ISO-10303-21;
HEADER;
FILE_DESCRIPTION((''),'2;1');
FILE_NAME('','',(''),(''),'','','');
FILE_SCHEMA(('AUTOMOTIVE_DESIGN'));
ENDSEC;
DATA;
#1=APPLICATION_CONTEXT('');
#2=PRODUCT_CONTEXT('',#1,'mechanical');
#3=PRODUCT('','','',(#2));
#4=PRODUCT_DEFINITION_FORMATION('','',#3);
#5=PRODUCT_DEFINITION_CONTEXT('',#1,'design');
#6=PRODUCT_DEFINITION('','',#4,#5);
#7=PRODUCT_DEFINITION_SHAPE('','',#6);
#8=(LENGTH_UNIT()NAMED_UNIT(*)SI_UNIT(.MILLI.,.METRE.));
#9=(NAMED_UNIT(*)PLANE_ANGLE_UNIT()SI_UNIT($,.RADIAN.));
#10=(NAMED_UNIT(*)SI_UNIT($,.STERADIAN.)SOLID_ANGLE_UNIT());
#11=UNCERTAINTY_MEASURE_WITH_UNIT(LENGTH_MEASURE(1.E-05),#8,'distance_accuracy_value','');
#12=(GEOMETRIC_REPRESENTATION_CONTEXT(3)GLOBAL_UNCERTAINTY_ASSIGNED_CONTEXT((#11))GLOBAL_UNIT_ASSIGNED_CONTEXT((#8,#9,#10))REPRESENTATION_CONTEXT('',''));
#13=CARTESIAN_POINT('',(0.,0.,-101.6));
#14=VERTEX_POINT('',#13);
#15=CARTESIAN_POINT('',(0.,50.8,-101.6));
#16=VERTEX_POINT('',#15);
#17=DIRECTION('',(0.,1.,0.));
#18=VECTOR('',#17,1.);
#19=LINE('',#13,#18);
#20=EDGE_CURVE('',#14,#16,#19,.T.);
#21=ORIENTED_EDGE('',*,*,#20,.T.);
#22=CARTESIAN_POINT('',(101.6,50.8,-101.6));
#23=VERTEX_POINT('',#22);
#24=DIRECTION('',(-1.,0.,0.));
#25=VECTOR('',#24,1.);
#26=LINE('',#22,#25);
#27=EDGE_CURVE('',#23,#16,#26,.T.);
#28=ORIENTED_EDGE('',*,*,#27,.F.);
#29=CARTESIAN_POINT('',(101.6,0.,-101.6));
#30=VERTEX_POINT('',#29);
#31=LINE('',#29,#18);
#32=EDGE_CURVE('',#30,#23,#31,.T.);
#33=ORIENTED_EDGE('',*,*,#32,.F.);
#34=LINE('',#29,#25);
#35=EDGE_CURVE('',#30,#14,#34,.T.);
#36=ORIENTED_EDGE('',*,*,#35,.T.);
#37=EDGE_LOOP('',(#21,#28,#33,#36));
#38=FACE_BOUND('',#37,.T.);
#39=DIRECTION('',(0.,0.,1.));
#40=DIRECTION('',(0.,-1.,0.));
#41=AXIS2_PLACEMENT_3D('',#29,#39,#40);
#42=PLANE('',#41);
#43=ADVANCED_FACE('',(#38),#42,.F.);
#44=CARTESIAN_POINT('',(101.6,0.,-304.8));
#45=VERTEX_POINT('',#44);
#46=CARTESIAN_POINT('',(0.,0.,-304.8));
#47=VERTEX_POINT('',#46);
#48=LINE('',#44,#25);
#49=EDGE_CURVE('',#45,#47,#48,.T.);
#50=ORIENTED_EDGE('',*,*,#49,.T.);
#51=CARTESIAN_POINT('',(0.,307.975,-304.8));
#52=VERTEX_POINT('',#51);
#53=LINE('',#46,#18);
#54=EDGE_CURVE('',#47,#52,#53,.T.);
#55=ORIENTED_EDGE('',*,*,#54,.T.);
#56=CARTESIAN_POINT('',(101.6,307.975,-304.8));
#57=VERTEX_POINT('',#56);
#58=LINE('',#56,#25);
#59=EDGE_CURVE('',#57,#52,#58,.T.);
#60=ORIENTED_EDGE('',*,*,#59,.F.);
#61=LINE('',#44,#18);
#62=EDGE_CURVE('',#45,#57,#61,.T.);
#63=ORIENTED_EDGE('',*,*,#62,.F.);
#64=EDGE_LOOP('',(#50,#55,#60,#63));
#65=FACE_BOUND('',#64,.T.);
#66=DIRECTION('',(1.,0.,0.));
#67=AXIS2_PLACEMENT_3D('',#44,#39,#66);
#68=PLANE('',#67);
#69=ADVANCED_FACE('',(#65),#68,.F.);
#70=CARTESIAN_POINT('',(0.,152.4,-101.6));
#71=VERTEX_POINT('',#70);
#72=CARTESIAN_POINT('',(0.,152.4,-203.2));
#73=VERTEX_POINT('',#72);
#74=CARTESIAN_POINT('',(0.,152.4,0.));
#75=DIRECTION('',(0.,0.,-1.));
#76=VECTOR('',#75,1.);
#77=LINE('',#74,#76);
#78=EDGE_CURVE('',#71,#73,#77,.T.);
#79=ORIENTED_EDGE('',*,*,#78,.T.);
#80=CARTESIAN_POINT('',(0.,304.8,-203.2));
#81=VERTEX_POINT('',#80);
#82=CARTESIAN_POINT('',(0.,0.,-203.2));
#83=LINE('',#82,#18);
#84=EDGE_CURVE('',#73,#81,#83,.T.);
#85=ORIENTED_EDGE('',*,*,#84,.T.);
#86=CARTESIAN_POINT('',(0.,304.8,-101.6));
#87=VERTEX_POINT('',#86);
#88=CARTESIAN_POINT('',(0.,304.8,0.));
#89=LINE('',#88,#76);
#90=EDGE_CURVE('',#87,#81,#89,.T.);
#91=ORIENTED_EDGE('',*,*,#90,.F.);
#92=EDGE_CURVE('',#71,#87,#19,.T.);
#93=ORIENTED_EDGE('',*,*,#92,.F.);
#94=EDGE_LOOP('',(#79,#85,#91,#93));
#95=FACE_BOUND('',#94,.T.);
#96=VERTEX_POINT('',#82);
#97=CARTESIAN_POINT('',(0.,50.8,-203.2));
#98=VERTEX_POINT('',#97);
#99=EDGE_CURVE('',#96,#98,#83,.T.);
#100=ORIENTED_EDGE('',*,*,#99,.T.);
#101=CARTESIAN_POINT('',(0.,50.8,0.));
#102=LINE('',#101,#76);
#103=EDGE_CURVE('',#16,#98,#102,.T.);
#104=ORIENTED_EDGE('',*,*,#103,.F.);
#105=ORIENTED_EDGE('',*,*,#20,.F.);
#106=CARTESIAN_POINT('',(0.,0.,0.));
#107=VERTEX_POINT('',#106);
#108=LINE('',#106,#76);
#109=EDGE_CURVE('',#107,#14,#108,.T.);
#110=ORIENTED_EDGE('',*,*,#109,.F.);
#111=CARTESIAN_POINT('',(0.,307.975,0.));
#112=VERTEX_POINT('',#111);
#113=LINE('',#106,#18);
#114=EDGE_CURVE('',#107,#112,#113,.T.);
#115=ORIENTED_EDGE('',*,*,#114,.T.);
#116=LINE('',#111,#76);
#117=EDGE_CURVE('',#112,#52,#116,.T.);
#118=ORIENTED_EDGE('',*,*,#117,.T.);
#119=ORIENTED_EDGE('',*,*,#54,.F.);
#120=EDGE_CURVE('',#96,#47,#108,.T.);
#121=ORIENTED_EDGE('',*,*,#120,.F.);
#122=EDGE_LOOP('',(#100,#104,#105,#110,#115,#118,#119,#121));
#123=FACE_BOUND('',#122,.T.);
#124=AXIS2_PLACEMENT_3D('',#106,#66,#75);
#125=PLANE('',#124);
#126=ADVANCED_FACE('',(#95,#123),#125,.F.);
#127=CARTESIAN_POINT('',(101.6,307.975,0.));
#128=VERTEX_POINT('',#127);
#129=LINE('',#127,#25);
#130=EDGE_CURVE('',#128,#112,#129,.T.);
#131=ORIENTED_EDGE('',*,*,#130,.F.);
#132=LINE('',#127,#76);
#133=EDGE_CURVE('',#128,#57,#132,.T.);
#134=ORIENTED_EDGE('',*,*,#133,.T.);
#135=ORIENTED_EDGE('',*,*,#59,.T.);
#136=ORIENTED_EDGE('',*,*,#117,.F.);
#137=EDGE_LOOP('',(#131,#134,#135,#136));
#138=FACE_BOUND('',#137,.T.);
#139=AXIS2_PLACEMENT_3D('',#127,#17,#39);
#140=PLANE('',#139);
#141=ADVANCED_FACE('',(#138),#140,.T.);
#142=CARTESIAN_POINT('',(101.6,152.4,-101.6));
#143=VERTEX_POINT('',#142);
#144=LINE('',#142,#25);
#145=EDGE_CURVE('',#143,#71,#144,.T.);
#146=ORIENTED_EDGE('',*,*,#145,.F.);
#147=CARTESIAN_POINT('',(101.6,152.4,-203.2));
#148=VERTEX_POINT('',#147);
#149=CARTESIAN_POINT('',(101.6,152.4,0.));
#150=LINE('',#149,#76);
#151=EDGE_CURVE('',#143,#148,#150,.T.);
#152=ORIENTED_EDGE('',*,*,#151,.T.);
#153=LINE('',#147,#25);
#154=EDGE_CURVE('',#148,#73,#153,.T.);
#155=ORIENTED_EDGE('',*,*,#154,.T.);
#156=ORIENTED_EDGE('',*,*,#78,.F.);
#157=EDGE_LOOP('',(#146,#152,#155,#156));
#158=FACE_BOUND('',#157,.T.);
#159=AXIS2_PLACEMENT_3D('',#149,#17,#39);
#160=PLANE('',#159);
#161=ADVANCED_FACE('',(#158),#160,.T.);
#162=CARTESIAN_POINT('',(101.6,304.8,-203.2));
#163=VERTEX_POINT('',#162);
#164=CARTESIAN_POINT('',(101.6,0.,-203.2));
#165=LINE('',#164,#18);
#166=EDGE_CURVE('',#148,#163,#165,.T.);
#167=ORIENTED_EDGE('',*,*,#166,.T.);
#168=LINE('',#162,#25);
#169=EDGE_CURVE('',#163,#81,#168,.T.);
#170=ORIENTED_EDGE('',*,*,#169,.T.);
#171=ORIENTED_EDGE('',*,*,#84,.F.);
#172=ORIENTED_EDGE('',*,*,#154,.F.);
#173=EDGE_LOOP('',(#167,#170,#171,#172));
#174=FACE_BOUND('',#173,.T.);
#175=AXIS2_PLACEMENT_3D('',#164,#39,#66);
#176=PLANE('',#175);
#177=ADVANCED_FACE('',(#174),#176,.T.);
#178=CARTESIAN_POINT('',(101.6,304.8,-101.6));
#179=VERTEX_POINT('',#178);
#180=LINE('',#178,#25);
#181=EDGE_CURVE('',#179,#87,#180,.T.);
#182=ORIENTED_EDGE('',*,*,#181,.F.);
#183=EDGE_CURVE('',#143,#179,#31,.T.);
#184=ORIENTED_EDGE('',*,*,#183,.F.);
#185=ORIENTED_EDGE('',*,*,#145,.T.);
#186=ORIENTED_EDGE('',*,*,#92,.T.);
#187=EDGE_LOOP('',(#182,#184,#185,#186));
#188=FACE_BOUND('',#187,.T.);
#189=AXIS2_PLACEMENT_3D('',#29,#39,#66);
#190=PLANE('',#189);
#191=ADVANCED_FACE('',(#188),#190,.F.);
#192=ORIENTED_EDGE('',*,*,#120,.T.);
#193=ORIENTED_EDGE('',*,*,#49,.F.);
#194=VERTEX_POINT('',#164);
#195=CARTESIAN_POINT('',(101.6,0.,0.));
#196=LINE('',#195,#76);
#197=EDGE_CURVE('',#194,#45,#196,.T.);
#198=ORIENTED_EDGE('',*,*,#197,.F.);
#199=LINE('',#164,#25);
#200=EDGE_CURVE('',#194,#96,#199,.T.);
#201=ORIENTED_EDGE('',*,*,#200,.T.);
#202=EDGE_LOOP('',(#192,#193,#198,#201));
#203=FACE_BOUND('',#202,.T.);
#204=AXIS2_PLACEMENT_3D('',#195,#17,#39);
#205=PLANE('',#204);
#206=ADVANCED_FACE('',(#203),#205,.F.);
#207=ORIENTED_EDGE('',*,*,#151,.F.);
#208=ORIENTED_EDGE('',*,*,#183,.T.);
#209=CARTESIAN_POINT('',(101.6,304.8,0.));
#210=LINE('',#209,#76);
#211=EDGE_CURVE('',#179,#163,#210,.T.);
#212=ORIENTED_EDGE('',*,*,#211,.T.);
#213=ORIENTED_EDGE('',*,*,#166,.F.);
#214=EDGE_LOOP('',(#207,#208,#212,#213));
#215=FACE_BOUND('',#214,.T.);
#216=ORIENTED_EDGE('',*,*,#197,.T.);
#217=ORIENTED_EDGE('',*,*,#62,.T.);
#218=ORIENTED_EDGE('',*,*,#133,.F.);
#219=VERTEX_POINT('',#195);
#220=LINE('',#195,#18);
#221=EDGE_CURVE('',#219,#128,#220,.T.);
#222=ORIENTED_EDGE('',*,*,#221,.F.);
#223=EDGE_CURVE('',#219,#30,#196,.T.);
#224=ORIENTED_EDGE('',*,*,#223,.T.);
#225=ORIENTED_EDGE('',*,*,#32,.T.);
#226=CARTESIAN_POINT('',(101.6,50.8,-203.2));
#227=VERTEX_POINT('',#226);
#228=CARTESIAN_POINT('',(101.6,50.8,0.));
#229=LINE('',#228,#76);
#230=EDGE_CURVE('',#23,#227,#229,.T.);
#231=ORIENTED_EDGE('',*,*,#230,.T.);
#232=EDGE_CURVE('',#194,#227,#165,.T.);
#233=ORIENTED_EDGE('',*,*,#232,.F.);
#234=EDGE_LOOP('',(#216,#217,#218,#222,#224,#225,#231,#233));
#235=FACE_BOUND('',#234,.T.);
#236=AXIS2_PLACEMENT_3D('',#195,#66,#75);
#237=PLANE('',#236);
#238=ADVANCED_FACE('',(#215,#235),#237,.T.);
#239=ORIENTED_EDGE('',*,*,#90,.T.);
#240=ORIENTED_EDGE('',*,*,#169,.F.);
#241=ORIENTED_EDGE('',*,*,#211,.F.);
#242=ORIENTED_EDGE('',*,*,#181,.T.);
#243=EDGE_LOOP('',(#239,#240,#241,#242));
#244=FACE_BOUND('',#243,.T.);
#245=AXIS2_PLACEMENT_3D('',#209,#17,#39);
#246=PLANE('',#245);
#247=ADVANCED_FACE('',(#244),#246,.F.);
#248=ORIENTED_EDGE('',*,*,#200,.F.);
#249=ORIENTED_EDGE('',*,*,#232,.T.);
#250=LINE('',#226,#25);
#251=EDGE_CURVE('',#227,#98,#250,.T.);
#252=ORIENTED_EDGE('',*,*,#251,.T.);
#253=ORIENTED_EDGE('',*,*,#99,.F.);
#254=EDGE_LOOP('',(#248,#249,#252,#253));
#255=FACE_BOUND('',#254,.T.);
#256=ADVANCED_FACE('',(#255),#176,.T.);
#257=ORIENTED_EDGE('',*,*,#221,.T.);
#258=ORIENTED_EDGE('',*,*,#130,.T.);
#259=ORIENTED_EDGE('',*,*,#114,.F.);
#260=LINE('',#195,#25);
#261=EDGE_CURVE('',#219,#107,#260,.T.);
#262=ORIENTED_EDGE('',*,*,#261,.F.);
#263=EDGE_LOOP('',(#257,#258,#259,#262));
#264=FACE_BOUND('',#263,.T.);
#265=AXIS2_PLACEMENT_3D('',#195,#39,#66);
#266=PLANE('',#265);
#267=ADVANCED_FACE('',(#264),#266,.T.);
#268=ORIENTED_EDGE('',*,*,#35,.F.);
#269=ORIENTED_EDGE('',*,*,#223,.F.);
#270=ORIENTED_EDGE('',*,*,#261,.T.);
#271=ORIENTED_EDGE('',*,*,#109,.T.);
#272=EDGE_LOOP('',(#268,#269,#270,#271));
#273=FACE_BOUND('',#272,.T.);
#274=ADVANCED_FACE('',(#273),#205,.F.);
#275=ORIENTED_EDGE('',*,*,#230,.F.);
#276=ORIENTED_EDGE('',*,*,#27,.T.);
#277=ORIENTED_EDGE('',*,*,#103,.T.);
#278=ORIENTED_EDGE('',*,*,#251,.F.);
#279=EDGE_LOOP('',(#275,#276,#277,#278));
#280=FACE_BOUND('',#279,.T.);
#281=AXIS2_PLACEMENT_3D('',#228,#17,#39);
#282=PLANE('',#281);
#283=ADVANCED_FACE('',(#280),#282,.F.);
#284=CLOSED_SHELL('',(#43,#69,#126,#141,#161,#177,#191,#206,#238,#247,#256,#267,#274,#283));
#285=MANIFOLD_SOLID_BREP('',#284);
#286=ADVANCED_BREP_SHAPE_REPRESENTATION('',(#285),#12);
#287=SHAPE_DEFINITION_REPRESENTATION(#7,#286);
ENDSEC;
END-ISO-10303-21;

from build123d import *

# Parameters (mm, degrees)
SKETCH2_W           = 101.6
SKETCH2_H           = 152.4
BOSS_EXTRUDE1_DEPTH = 101.6


with BuildPart() as part:
    # Sketch2 → Boss-Extrude1 (new body)
    with BuildSketch(Plane(origin=(0, 0, 0), x_dir=(0, 0, -1), z_dir=(1, 0, 0))):
        Polygon((0, 307.975), (0, 0), (101.6, 0), (101.6, 50.8), (203.2, 50.8), (203.2, 0), (304.8, 0), (304.8, 307.975), align=None)
        with Locations((152.4, 228.6)):
            Rectangle(SKETCH2_W, SKETCH2_H, mode=Mode.SUBTRACT)
    extrude(amount=BOSS_EXTRUDE1_DEPTH)


solid = part.part
